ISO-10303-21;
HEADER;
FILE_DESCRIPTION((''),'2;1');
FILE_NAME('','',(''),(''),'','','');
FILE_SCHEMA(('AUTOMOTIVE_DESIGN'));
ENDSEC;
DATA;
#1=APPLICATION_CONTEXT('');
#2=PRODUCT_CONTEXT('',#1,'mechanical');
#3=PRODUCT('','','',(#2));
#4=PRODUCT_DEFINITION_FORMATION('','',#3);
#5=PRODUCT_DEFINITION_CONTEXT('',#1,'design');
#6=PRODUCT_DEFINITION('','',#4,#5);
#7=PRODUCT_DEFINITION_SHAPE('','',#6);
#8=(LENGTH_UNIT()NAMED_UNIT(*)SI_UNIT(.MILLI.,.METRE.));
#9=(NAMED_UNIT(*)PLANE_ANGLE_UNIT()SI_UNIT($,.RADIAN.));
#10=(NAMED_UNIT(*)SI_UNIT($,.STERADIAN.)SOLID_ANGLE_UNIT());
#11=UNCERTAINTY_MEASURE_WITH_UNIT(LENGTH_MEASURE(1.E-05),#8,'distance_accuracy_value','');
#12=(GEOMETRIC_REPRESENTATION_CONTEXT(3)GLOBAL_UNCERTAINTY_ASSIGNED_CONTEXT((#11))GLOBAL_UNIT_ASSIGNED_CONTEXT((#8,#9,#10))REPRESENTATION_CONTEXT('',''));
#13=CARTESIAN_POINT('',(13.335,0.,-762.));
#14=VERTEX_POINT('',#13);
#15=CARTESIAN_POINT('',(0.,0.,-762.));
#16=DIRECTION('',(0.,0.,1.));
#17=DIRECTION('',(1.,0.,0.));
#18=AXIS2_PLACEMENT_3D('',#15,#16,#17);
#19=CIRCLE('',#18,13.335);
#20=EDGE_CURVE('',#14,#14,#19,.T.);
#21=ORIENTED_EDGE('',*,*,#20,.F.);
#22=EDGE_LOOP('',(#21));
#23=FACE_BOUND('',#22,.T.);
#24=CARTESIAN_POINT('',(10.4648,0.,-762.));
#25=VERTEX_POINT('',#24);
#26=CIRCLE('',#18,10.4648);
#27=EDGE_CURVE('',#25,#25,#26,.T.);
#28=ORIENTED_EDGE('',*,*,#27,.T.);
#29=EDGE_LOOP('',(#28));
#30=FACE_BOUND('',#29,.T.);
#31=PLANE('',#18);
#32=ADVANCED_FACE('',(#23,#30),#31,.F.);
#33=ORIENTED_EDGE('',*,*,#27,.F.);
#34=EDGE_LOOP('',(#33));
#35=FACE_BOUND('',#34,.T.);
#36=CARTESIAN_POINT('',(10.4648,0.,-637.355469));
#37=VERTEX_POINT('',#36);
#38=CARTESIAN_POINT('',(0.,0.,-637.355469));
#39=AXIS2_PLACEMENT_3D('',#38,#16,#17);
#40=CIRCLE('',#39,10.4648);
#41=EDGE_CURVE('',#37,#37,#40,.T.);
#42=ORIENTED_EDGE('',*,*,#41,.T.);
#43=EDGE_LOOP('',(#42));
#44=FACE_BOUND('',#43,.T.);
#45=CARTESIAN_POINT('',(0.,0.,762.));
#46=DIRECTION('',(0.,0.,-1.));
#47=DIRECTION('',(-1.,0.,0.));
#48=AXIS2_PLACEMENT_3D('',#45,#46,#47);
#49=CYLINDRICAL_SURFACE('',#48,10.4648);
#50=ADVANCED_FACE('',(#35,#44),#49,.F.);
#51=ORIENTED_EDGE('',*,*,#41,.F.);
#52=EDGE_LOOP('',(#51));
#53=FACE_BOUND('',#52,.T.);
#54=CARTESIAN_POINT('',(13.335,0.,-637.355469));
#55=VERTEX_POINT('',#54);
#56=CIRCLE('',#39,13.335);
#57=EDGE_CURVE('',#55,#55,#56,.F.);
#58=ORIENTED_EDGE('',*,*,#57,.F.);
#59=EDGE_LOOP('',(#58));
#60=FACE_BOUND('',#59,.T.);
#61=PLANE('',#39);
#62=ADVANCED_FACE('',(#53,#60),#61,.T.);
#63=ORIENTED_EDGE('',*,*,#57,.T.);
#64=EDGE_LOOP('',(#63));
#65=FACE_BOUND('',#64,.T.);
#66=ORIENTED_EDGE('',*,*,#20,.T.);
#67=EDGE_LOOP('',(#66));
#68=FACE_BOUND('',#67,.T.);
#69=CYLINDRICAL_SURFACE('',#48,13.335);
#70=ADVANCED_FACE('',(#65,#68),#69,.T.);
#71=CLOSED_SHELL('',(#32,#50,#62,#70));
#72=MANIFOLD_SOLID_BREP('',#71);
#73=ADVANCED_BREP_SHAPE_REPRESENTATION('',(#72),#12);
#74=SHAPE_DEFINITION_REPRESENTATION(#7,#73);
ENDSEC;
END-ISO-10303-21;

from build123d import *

# Parameters (mm, degrees)
SKETCH3_R                = 13.335
SKETCH3_R_2              = 10.4648
BOSS_EXTRUDE1_DEPTH      = 762
BOSS_EXTRUDE1_DEPTH_BACK = 762
SKETCH4_R                = 13.335
CUT_EXTRUDE2_DEPTH       = 1399.355469


with BuildPart() as part:
    # Sketch3 → Boss-Extrude1 (new body, two sides)
    with BuildSketch(Plane.XY) as boss_extrude1_sk:
        Circle(SKETCH3_R)
        Circle(SKETCH3_R_2, mode=Mode.SUBTRACT)
    extrude(amount=BOSS_EXTRUDE1_DEPTH)
    extrude(boss_extrude1_sk.sketch, amount=-BOSS_EXTRUDE1_DEPTH_BACK)

    # Sketch4 → Cut-Extrude2 (cut)
    with BuildSketch(Plane.XY.offset(762)):
        Circle(SKETCH4_R)
    extrude(amount=-CUT_EXTRUDE2_DEPTH, mode=Mode.SUBTRACT)


solid = part.part
